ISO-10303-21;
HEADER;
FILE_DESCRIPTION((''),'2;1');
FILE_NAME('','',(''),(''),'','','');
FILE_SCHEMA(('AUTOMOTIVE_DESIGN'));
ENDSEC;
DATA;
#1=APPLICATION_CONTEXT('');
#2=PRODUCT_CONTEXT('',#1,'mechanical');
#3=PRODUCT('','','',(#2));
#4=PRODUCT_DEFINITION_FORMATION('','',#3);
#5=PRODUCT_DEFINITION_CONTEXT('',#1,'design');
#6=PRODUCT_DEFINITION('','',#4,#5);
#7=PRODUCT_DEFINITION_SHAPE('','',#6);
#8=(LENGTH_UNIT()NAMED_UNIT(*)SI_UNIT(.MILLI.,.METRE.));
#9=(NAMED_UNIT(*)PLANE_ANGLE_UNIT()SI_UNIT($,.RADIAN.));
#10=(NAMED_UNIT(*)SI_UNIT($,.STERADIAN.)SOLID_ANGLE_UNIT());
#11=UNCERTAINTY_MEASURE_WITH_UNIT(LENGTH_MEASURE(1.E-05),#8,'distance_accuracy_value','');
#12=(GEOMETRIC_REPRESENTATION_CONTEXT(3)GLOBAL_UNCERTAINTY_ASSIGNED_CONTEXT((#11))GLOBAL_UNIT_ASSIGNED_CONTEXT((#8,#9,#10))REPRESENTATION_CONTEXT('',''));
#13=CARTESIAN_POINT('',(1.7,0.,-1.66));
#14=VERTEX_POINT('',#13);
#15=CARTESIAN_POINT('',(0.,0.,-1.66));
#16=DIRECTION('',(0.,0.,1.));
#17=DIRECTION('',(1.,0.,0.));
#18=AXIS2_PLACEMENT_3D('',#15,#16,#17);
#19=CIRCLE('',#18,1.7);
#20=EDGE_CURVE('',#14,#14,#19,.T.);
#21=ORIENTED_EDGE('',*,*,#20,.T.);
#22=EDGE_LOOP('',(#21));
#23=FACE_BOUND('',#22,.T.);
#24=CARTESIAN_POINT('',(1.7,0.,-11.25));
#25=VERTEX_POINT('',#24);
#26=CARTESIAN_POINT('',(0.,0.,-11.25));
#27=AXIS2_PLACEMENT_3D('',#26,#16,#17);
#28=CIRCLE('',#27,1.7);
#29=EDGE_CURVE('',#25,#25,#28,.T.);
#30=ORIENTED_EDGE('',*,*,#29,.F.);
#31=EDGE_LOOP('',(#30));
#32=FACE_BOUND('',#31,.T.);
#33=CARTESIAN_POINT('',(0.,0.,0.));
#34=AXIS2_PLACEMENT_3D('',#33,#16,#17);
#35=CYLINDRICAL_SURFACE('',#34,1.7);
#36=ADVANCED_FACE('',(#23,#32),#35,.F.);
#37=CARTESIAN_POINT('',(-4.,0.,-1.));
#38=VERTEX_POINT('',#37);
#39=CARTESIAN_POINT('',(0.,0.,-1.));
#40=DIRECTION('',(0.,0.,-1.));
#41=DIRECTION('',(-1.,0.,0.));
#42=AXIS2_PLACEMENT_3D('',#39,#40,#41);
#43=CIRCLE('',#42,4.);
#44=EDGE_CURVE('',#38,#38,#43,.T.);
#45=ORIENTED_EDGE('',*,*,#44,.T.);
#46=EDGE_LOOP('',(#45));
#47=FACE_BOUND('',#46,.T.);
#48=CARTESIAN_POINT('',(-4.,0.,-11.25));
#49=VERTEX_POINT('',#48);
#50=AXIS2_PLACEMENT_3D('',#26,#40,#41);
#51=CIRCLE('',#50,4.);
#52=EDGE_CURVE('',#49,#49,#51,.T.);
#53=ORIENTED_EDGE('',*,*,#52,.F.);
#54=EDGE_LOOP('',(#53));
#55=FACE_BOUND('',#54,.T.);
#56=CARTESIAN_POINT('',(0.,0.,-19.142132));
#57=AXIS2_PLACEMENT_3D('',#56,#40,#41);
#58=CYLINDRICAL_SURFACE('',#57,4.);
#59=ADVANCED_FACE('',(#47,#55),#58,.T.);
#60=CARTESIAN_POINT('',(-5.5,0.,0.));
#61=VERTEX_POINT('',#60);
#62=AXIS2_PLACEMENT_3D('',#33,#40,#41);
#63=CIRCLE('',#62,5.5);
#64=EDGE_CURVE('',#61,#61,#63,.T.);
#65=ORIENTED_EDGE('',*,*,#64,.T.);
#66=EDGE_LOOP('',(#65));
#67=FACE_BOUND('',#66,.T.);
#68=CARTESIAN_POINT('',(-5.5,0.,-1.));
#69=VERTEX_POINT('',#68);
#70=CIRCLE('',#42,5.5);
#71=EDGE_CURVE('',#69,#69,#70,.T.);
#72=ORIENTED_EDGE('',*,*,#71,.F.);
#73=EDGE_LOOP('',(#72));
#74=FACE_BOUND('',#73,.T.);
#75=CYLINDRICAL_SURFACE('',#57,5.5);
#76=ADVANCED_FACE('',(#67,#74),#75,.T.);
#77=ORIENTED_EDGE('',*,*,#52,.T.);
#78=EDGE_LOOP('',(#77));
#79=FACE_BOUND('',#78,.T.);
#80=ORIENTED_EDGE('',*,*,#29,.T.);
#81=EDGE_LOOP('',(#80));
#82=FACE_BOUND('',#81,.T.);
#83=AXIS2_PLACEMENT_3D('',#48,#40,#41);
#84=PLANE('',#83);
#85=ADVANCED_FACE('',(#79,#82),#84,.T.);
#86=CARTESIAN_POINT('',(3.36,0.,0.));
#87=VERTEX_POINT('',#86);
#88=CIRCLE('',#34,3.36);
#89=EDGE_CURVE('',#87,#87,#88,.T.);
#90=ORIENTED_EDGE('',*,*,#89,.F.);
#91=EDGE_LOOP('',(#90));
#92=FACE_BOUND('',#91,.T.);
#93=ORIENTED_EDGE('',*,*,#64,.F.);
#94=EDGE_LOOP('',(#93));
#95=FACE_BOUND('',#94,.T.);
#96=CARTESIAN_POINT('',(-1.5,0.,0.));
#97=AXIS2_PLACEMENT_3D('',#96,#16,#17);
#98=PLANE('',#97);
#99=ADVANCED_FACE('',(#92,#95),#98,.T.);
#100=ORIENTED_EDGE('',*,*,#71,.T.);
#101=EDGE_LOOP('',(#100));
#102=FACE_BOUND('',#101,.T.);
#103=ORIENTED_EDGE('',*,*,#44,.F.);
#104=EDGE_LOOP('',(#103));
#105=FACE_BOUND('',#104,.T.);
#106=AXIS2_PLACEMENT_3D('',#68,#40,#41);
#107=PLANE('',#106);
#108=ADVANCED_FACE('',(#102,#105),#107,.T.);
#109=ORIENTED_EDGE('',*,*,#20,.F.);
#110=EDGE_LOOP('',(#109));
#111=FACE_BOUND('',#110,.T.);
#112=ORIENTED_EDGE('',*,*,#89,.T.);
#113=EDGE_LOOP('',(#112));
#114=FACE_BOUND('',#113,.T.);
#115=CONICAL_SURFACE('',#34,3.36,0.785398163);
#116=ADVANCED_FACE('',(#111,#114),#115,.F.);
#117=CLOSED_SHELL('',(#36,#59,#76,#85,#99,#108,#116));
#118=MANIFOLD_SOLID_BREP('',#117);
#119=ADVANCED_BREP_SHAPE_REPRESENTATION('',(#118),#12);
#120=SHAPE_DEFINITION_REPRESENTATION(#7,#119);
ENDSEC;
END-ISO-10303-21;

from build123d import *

# Parameters (mm, degrees)
REFRENTADO_PARA_TORNILLO_TAP_N_CON_CABEZ_D           = 3.4
REFRENTADO_PARA_TORNILLO_TAP_N_CON_CABEZ_CSINK_D     = 6.72
REFRENTADO_PARA_TORNILLO_TAP_N_CON_CABEZ_CSINK_ANGLE = 90


with BuildPart() as part:
    # Croquis1 → Revolución1 (revolve)
    with BuildSketch(Plane(origin=(0, 0, 0), x_dir=(1, 0, 0), z_dir=(0, 1, 0))):
        Polygon((-1.5, 11.25), (-1.5, 0), (-5.5, 0), (-5.5, 1), (-4, 1), (-4, 11.25), align=None)
    revolve(axis=Axis((0, 0, -19.14213198), (0, 0, 1)))

    # Refrentado para tornillo tapón con cabeza plana de clavija de M31 (through all)
    with Locations(Plane.XY):
        with Locations((0, 0)):
            CounterSinkHole(REFRENTADO_PARA_TORNILLO_TAP_N_CON_CABEZ_D / 2, REFRENTADO_PARA_TORNILLO_TAP_N_CON_CABEZ_CSINK_D / 2, counter_sink_angle=REFRENTADO_PARA_TORNILLO_TAP_N_CON_CABEZ_CSINK_ANGLE)


solid = part.part
